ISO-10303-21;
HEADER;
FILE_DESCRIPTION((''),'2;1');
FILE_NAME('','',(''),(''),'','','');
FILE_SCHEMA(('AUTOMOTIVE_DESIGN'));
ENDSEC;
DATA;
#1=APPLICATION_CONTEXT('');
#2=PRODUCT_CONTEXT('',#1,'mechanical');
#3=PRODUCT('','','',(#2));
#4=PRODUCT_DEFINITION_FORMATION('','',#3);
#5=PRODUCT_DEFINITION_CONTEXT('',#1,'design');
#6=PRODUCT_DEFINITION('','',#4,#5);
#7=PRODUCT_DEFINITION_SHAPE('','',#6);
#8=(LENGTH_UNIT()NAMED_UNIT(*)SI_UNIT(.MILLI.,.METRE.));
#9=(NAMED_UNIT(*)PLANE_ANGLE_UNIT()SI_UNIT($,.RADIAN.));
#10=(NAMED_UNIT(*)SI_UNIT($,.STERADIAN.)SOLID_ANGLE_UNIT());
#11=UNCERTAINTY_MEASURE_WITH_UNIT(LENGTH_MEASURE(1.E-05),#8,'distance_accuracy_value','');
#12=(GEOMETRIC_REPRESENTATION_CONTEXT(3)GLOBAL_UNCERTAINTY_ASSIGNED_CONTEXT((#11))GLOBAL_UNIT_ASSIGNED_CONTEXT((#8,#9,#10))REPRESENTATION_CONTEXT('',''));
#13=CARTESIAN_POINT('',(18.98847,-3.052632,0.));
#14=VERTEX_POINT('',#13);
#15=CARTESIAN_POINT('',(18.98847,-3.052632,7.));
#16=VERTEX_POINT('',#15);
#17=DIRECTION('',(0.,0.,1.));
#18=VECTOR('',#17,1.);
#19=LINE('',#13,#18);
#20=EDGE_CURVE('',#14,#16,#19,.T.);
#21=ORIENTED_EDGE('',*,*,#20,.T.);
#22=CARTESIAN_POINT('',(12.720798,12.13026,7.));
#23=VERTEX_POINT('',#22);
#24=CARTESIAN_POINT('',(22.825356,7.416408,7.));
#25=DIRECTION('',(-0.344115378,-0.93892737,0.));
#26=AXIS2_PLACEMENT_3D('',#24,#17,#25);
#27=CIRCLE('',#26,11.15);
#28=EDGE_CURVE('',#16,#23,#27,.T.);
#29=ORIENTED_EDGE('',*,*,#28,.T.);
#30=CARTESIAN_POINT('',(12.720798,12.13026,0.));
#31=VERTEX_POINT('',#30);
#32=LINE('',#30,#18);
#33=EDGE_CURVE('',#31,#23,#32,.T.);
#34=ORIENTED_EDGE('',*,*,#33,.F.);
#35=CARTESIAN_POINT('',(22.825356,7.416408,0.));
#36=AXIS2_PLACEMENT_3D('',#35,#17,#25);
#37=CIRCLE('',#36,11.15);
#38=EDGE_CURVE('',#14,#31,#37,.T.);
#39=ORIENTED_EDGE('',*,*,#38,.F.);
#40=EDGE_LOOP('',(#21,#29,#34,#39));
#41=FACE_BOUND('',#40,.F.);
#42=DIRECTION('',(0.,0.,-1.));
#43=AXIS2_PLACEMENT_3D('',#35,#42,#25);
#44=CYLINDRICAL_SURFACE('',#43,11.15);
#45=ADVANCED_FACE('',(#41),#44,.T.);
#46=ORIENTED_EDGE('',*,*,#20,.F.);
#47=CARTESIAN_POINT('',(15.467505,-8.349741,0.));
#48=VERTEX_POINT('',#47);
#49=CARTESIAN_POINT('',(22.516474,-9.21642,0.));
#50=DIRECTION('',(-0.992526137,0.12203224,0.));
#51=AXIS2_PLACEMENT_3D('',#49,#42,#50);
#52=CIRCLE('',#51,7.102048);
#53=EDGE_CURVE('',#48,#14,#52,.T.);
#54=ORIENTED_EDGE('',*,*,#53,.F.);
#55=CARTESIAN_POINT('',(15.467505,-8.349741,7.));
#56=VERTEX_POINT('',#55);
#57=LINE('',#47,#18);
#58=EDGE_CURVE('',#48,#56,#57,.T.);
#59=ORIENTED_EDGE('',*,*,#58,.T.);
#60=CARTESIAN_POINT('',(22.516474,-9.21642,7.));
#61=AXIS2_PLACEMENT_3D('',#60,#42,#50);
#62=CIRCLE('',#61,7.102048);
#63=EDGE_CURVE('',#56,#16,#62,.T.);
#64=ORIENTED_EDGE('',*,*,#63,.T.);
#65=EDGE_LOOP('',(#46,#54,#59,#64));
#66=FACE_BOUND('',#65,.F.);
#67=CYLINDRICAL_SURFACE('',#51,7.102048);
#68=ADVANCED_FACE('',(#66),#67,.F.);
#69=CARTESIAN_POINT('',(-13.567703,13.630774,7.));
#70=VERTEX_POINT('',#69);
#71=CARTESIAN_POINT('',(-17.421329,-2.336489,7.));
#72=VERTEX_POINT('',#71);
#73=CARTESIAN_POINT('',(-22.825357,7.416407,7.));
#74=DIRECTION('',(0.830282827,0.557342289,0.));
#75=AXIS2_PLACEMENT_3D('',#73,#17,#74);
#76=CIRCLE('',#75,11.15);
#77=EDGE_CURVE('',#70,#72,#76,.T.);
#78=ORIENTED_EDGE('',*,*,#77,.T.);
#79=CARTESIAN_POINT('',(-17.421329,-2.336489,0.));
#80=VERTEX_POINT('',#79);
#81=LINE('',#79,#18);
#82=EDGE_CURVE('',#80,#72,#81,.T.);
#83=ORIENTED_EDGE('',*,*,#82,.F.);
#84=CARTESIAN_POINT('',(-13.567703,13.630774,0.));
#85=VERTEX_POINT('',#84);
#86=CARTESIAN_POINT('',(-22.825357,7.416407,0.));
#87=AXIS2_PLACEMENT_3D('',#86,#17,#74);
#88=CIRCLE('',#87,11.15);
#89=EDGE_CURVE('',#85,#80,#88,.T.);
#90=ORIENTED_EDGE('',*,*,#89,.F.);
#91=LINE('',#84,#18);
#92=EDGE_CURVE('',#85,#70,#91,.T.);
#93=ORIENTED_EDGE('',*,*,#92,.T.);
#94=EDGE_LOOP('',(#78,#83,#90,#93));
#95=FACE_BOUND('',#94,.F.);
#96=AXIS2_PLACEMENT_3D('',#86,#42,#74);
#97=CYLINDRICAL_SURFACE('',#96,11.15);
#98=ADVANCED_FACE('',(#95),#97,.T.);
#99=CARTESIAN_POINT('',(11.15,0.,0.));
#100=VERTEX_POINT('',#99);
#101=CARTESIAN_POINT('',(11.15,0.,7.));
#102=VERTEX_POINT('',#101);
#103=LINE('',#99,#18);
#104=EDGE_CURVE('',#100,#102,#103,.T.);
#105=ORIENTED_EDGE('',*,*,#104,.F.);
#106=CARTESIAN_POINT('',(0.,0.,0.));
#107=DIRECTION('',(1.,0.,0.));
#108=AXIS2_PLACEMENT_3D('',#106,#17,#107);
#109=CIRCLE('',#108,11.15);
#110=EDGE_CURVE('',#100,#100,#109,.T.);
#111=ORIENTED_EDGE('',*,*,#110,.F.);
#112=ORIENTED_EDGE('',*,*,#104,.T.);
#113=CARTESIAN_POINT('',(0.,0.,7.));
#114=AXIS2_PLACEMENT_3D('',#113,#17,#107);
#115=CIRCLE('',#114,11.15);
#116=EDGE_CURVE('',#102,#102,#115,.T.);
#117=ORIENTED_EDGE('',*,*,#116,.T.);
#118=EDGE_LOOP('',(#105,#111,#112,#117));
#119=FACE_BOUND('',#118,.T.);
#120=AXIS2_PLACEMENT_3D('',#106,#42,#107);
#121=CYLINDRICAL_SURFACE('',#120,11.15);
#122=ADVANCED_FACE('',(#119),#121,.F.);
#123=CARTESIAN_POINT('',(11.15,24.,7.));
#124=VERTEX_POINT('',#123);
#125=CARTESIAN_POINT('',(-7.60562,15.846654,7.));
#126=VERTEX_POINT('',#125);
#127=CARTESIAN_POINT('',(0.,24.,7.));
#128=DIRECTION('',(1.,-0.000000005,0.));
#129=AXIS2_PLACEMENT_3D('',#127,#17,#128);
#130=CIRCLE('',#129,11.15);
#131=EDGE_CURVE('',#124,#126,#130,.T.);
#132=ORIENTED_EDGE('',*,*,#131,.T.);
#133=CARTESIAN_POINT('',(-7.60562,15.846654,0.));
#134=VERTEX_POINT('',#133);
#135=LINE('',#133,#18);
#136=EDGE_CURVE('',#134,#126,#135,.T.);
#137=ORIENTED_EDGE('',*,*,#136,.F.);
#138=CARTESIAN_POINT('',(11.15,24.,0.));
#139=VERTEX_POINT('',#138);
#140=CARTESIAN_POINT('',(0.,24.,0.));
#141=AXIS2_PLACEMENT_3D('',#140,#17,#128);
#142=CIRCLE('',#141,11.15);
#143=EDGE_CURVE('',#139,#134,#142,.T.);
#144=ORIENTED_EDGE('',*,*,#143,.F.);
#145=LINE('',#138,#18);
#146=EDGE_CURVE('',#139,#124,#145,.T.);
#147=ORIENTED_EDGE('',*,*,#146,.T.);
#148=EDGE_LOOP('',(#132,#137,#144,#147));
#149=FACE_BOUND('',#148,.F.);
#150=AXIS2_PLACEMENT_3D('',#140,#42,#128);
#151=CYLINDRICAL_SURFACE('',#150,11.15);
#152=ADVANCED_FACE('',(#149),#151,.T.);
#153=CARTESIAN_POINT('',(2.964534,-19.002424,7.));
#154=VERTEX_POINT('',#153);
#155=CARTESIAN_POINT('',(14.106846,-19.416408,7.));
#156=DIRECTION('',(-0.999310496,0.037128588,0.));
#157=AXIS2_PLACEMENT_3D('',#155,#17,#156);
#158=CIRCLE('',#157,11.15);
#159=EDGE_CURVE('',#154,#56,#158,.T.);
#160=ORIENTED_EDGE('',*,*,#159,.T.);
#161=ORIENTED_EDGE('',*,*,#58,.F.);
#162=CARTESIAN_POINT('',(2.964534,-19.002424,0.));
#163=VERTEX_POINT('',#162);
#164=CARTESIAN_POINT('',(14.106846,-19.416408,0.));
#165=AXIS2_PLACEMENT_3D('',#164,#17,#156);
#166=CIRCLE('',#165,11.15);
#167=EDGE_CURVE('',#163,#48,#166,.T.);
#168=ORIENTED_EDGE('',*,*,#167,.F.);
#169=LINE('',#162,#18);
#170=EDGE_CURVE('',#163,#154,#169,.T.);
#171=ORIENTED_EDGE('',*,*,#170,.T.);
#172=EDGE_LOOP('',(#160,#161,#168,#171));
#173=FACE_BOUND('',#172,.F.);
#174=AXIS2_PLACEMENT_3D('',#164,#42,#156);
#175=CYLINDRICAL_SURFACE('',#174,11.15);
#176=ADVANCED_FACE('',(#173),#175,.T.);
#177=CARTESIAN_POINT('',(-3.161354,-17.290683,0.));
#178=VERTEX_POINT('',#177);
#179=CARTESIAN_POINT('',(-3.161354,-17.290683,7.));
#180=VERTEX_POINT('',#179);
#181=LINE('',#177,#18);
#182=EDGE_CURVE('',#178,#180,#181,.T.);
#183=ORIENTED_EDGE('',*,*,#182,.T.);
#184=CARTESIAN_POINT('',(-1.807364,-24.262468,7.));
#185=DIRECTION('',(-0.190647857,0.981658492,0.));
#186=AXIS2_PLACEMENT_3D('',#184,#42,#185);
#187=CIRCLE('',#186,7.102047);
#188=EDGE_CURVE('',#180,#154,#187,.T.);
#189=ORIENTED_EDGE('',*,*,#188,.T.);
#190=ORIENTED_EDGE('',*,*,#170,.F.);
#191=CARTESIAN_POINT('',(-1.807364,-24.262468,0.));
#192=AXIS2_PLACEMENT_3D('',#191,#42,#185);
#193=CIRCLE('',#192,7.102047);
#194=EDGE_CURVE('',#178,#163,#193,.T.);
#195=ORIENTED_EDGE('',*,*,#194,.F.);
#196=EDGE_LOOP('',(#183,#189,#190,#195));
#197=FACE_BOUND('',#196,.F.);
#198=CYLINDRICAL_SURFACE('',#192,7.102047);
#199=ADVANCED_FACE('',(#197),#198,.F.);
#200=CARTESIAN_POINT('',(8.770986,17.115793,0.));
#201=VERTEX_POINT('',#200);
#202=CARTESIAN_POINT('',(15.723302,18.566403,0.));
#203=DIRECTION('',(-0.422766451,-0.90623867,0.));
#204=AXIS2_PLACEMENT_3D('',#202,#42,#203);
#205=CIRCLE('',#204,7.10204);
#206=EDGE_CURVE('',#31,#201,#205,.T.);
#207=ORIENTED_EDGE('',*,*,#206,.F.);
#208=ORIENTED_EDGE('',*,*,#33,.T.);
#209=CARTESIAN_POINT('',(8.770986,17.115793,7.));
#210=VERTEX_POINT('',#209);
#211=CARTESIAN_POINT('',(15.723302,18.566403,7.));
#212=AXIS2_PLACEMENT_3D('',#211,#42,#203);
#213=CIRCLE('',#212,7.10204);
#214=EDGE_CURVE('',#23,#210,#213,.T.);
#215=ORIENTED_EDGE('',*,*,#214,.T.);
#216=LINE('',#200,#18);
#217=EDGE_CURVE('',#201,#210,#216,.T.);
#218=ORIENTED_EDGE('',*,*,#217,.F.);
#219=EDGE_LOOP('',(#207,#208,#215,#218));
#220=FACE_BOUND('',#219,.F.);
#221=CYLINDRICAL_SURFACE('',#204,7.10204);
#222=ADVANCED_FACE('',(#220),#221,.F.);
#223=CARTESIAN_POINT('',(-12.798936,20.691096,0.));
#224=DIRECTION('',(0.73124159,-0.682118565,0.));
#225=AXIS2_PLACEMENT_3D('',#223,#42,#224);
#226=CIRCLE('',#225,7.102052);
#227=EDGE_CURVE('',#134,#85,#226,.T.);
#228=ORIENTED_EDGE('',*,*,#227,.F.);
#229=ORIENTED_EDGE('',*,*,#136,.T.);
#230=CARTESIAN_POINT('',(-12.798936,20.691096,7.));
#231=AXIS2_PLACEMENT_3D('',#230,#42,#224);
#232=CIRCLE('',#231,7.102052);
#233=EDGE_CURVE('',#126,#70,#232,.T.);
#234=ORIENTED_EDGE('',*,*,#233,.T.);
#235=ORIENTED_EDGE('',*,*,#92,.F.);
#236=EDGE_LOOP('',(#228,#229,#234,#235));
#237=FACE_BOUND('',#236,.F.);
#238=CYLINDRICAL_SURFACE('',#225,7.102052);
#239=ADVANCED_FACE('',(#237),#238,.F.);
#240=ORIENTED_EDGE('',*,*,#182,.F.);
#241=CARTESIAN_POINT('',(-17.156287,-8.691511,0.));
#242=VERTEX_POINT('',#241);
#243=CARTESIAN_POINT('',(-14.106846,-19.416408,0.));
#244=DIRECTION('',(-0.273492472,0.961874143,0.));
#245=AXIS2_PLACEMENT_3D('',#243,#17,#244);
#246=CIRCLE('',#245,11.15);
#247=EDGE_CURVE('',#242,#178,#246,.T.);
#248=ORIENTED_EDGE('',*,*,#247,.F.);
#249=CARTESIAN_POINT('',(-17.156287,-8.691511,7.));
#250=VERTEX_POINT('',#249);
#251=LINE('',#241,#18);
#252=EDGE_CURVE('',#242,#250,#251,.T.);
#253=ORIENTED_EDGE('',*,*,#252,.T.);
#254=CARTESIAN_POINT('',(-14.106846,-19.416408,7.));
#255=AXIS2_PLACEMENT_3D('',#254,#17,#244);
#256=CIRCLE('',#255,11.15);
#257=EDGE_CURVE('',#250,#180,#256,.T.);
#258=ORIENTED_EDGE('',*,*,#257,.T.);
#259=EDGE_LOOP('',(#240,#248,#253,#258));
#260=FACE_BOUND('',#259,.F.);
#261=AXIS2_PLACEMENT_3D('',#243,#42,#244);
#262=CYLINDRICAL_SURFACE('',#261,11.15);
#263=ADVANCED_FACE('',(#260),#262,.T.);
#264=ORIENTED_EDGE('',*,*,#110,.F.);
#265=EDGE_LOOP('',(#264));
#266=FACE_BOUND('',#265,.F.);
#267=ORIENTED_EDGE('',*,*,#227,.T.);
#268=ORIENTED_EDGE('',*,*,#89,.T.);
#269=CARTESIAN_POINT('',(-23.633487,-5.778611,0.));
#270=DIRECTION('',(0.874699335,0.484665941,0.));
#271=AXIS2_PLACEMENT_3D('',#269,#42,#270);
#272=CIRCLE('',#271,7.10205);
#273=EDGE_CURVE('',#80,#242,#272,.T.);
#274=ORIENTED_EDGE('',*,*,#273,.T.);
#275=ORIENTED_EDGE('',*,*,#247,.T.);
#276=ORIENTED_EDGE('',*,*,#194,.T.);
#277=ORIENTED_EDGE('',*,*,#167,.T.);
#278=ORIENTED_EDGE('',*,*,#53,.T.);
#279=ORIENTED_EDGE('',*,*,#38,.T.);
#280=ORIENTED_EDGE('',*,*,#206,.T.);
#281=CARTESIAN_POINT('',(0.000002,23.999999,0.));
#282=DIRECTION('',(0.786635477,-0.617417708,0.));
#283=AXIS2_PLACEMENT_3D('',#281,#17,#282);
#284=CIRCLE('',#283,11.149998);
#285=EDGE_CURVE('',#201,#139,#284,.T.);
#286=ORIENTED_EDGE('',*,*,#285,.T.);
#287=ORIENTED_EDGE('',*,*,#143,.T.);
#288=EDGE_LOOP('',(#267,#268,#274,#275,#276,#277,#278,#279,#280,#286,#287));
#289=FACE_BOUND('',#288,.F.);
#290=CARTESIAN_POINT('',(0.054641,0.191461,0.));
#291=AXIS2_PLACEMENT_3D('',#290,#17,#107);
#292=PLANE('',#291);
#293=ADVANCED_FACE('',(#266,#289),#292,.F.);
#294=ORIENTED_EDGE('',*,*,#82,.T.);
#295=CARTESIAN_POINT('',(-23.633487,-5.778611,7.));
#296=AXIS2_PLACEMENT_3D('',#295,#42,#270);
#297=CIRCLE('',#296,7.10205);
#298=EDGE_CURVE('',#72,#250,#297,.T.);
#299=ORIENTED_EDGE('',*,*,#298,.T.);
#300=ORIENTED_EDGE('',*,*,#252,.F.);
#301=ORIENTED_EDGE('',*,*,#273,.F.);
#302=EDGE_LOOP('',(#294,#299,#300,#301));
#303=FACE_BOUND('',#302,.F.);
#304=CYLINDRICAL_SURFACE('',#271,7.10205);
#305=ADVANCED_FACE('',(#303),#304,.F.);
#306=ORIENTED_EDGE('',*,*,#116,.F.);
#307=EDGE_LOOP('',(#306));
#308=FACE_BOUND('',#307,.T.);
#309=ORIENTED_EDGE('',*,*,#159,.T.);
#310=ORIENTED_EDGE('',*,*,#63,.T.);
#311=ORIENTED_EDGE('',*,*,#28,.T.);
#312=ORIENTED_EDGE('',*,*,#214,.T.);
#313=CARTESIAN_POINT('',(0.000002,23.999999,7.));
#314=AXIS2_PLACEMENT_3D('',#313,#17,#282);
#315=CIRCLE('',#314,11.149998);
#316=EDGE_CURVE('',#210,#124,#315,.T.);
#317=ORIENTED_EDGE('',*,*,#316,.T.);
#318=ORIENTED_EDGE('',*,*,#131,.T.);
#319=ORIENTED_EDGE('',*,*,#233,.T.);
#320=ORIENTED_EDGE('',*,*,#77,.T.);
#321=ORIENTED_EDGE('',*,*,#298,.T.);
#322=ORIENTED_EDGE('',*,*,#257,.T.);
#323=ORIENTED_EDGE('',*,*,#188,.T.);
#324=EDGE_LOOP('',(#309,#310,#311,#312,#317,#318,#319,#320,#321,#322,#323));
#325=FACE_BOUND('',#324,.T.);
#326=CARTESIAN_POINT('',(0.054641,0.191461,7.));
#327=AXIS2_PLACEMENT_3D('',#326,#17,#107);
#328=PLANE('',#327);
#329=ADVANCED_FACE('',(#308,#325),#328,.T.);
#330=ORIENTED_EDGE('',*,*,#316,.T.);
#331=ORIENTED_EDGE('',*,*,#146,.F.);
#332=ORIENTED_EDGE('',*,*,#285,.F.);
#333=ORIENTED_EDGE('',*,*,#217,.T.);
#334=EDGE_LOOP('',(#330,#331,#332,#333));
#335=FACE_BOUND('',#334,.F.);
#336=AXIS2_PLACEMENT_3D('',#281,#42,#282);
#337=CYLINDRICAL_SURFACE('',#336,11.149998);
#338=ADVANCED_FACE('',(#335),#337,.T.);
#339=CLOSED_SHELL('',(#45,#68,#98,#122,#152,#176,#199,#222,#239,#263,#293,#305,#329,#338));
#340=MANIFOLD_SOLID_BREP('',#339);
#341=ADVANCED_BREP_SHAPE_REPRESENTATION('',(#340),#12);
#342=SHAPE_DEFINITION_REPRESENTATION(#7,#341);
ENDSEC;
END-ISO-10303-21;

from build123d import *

# Parameters (mm, degrees)
F0_R     = 11.15
F1_DEPTH = 7


with BuildPart() as f1:
    # F0 (on Top) → F1 (new body)
    with BuildSketch(Plane.XY):
        with BuildLine():
            ThreePointArc((12.720798, 12.13026), (10.156571, 14.156134), (8.770986, 17.115793))
            ThreePointArc((8.770986, 17.115793), (10.538477, 20.358159), (11.15, 24))
            ThreePointArc((11.15, 24), (-4.445213, 34.225585), (-7.60562, 15.846654))
            ThreePointArc((-7.60562, 15.846654), (-10.324731, 14.03396), (-13.567703, 13.630774))
            ThreePointArc((-13.567703, 13.630774), (-33.664157, 10.032303), (-17.421329, -2.336489))
            ThreePointArc((-17.421329, -2.336489), (-16.537606, -5.48267), (-17.156287, -8.691511))
            ThreePointArc((-17.156287, -8.691511), (-19.944084, -28.916363), (-3.161354, -17.290683))
            ThreePointArc((-3.161354, -17.290683), (0.103928, -17.422436), (2.964534, -19.002424))
            ThreePointArc((2.964534, -19.002424), (21.338035, -27.903599), (15.467505, -8.349741))
            ThreePointArc((15.467505, -8.349741), (16.601837, -5.284987), (18.98847, -3.052632))
            ThreePointArc((18.98847, -3.052632), (33.131715, 11.670991), (12.720798, 12.13026))
        make_face()
        Circle(F0_R, mode=Mode.SUBTRACT)
    extrude(amount=F1_DEPTH)


solid = f1.part
